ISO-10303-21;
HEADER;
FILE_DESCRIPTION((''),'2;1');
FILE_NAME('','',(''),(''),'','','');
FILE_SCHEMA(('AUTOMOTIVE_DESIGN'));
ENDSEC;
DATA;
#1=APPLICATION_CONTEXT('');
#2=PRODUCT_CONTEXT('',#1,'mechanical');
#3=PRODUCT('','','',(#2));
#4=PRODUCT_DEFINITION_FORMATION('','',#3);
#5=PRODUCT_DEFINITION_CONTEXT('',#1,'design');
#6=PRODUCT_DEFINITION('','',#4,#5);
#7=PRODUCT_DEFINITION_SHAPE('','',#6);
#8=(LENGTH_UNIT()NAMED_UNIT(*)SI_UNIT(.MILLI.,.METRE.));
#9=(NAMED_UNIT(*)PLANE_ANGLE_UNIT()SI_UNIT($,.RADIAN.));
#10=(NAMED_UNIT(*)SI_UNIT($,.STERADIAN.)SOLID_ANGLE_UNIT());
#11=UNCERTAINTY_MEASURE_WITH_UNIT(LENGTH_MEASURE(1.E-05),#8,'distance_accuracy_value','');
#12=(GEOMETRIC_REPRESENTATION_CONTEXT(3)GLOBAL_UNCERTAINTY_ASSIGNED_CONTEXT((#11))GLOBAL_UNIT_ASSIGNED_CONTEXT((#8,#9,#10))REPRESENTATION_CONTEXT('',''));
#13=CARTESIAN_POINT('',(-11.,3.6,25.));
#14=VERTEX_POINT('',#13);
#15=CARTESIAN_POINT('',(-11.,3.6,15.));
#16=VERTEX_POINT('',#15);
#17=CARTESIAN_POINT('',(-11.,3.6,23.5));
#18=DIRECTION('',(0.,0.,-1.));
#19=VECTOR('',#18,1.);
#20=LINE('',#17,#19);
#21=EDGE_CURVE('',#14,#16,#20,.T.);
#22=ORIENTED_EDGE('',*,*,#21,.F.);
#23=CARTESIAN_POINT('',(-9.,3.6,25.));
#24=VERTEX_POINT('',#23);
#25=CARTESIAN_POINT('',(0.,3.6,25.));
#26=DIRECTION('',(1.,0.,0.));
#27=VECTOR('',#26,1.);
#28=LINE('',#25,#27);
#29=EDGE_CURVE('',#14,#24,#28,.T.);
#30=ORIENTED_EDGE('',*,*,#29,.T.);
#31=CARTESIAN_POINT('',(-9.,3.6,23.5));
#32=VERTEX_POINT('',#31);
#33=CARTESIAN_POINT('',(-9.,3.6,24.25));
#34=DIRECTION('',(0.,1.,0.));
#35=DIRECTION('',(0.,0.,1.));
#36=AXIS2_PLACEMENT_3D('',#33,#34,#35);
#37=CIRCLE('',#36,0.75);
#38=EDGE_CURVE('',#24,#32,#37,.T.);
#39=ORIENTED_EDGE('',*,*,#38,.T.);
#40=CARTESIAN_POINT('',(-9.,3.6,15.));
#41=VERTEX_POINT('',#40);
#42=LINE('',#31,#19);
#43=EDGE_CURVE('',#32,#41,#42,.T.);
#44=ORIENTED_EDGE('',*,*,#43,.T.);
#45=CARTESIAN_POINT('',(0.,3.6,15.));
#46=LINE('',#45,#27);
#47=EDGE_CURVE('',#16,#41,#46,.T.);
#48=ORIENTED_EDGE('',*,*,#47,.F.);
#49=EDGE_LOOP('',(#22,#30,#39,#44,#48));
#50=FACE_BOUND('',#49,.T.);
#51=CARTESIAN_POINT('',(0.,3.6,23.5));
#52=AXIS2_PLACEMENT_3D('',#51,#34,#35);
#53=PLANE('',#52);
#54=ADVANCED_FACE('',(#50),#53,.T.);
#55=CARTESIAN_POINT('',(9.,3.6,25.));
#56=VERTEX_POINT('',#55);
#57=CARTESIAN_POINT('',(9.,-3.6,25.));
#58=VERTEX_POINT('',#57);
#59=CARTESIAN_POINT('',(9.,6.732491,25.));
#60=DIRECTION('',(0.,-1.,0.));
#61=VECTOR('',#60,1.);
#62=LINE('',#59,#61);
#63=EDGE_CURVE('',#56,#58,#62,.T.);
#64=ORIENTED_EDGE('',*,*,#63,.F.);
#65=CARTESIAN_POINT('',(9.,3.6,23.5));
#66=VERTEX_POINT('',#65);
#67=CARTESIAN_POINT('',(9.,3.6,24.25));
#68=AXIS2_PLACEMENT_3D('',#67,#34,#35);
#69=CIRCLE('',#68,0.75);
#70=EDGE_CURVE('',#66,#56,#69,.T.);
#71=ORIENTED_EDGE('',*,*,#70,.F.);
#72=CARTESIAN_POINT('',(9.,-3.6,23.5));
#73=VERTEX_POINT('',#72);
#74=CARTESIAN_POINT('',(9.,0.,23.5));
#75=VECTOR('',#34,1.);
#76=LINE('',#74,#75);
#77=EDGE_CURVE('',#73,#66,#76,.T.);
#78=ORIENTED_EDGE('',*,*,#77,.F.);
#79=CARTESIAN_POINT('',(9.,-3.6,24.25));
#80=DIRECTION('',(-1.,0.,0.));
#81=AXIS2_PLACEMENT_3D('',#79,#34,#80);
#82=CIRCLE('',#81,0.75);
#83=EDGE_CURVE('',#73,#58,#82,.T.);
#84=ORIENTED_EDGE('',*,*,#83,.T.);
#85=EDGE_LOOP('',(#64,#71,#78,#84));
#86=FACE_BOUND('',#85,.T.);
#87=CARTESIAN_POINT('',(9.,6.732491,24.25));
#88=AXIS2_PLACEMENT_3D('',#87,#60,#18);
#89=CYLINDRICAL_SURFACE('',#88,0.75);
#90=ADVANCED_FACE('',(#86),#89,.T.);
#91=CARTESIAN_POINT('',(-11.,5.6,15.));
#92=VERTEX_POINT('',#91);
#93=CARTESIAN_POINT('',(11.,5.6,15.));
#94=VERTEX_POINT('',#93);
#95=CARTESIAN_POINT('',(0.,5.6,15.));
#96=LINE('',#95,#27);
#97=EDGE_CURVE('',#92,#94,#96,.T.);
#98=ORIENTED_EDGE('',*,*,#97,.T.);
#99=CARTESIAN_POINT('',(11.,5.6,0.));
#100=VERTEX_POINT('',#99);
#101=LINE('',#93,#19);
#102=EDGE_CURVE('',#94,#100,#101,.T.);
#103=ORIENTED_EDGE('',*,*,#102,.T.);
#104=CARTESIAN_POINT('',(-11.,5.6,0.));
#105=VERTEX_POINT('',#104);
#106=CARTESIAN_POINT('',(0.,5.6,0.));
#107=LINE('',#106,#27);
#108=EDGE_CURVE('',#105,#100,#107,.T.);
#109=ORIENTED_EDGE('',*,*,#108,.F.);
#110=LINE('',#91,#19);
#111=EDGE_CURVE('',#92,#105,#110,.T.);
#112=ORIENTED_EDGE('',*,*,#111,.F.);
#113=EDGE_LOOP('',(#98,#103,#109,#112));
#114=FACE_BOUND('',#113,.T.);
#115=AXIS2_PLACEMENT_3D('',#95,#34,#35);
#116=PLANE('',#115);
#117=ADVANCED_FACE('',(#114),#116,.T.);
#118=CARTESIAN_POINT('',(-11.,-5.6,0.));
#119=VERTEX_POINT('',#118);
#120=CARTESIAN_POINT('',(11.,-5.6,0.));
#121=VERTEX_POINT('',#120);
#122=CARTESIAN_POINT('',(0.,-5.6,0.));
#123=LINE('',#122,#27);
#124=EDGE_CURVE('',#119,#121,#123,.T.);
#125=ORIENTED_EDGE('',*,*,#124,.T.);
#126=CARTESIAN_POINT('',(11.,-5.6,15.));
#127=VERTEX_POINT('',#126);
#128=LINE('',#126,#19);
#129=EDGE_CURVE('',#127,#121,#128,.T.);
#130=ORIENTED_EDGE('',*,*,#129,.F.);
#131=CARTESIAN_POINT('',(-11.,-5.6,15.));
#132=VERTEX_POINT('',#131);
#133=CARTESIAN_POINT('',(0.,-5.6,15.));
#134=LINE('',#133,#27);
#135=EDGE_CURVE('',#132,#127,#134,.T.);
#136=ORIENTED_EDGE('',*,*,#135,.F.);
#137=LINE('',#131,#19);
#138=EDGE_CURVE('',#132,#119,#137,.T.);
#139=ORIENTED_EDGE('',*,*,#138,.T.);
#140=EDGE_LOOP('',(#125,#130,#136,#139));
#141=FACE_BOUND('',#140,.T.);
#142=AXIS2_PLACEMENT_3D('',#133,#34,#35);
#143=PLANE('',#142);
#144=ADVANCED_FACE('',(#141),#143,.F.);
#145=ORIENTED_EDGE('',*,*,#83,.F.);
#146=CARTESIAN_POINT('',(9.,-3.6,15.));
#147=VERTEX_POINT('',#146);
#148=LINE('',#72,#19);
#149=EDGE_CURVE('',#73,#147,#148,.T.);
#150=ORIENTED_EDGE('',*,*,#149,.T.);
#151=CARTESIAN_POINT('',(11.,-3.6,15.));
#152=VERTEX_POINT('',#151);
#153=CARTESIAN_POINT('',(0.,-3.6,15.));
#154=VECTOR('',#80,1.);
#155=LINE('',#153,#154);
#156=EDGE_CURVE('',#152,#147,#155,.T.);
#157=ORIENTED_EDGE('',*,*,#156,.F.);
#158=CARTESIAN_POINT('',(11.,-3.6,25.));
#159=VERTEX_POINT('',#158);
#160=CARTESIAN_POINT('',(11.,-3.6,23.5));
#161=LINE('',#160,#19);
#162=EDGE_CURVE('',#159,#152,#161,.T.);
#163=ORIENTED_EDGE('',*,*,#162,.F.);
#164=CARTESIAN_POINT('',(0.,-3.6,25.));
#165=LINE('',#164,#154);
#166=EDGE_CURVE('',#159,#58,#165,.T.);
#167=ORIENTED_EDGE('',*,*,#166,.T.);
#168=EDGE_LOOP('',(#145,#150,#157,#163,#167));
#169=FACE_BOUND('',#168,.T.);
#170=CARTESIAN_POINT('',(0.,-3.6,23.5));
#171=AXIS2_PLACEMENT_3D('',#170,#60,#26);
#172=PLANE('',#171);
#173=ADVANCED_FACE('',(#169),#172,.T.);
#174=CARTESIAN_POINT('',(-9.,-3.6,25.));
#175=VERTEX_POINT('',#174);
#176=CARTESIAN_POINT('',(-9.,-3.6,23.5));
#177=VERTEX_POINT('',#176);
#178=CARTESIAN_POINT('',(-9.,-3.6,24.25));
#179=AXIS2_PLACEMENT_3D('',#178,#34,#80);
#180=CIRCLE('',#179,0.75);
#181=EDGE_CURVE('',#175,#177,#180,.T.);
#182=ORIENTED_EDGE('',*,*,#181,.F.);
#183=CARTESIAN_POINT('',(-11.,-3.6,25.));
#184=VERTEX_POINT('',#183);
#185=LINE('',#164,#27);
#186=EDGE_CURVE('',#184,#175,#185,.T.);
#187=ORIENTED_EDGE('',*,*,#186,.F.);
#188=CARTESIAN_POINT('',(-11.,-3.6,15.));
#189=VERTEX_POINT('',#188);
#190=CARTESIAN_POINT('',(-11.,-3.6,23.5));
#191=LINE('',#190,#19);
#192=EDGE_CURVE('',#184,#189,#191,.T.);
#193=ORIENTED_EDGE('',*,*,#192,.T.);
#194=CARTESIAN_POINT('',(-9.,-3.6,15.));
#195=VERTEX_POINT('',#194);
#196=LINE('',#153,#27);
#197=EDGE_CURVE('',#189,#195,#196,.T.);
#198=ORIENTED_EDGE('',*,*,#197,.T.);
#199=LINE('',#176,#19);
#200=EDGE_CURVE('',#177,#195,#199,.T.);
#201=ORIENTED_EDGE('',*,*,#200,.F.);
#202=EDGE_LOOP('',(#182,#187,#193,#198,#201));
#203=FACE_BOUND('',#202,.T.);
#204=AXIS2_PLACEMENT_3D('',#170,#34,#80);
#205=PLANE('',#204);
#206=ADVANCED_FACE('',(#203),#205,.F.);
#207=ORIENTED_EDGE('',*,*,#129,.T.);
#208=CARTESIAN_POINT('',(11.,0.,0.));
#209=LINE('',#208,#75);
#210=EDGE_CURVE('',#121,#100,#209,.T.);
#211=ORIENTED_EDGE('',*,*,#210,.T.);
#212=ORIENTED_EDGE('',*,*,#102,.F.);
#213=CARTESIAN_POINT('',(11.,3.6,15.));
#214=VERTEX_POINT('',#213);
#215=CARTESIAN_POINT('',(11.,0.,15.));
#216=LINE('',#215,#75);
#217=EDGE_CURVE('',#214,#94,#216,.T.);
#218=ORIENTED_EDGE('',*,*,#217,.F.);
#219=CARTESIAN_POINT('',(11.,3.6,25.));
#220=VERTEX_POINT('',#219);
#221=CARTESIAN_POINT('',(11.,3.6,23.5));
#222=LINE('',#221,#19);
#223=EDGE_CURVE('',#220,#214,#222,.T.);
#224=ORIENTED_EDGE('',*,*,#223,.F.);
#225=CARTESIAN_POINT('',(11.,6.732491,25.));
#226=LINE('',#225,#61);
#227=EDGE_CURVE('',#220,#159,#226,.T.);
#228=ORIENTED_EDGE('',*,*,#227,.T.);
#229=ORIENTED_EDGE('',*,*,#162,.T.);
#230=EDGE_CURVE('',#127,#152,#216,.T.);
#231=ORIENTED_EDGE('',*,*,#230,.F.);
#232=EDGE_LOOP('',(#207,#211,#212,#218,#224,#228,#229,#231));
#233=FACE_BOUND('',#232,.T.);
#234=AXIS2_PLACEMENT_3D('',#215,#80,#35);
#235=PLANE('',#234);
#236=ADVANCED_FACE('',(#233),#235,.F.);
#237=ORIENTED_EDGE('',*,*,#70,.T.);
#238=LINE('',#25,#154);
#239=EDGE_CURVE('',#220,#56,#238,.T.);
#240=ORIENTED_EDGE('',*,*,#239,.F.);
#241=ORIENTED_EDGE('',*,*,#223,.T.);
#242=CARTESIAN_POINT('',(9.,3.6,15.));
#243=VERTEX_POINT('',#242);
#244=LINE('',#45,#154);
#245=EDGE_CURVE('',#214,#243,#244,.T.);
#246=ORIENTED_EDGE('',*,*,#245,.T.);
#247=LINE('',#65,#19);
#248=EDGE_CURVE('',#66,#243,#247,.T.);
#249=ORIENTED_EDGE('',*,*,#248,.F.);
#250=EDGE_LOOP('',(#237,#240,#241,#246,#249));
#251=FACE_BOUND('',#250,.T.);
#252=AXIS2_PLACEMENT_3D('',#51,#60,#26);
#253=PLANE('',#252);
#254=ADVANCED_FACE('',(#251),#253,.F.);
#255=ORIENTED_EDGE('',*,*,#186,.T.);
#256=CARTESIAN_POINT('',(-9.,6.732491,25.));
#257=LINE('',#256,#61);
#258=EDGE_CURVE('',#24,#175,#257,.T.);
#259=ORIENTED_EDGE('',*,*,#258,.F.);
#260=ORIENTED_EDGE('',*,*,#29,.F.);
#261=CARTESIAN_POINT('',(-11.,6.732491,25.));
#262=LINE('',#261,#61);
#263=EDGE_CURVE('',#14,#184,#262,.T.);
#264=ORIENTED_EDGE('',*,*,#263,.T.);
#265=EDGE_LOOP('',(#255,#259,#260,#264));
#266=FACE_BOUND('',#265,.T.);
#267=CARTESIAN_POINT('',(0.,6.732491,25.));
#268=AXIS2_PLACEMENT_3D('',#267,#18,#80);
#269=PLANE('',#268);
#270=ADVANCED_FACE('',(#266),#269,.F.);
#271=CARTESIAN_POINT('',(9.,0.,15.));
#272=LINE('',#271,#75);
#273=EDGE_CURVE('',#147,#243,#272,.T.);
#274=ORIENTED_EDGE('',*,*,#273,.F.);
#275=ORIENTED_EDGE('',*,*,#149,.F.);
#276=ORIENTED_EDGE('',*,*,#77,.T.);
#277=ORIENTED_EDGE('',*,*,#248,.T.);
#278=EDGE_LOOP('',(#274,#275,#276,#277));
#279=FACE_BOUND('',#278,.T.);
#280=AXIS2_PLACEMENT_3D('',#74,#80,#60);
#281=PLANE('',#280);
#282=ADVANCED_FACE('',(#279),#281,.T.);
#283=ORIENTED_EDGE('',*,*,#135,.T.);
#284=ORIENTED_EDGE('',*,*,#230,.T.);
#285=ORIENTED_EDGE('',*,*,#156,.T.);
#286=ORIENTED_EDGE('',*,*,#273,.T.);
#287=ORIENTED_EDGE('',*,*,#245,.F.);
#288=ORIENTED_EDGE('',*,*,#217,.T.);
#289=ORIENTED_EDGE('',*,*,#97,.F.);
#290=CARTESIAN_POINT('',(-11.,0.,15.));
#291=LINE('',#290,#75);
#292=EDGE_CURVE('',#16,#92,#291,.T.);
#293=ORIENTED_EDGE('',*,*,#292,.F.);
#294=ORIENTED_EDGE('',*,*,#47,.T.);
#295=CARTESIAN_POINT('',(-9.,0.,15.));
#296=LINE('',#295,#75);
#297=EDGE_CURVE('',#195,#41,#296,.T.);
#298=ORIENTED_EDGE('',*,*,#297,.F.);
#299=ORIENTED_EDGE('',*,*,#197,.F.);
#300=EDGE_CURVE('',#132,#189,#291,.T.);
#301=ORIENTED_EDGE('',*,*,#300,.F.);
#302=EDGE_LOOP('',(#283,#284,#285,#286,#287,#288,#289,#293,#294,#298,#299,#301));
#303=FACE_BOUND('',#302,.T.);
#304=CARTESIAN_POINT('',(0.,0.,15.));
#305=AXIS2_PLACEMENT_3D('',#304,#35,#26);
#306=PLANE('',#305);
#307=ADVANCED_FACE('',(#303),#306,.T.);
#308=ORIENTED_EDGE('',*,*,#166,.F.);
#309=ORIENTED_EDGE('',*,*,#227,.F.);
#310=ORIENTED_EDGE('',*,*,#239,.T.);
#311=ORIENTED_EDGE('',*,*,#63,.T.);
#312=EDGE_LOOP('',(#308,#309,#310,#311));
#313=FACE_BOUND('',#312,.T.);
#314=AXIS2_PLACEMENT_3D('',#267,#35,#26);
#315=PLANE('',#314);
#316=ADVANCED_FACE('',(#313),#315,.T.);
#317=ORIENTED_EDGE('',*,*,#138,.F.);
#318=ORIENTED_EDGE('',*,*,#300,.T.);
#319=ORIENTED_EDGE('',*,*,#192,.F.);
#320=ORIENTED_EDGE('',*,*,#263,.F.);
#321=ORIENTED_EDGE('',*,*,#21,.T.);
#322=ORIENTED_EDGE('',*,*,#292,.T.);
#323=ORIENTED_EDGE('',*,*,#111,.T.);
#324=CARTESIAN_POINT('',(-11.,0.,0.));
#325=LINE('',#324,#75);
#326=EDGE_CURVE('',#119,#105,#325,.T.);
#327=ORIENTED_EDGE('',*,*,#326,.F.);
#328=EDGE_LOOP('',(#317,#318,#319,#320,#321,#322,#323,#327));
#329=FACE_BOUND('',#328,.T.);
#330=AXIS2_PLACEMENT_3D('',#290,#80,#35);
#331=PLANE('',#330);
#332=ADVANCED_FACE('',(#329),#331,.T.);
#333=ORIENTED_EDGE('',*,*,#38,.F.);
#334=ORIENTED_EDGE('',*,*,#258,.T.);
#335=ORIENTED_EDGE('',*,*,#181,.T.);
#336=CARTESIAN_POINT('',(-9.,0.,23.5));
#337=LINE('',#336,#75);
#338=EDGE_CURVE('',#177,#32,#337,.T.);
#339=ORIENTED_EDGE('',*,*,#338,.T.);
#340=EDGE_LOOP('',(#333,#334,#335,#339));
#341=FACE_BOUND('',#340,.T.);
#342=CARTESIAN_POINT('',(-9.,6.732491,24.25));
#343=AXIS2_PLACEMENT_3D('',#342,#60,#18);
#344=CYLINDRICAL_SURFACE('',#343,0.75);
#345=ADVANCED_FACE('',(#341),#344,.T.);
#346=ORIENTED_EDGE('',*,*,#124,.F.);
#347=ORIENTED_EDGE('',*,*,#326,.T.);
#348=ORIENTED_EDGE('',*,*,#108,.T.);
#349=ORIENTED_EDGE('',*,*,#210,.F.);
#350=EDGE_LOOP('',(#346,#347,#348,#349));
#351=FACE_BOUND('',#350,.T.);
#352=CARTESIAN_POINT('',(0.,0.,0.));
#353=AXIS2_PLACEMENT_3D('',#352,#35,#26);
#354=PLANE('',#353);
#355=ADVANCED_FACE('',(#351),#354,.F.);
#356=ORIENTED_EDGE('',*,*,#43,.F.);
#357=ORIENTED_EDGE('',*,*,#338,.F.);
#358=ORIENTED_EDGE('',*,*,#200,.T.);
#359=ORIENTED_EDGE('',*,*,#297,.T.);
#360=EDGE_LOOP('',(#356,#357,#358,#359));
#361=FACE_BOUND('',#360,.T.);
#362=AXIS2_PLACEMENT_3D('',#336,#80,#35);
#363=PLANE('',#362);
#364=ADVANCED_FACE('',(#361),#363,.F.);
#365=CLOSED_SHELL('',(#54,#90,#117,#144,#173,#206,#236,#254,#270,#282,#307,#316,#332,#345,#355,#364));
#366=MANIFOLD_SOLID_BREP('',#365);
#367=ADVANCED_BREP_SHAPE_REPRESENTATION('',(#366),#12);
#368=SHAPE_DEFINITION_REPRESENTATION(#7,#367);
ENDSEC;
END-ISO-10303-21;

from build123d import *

# Parameters (mm, degrees)
SKETCH1_W           = 2
SKETCH1_H           = 7.2
SKETCH1_W_2         = 18
BOSS_EXTRUDE3_DEPTH = 15
BOSS_EXTRUDE4_START = 15
SKETCH1_4_W         = 2
SKETCH1_4_H         = 7.2
BOSS_EXTRUDE4_DEPTH = 8.5
BOSS_EXTRUDE5_START = -3.6
SKETCH3_W           = 2
SKETCH3_H           = 1.5
BOSS_EXTRUDE5_DEPTH = 7.2


with BuildPart() as part:
    # Sketch1 → Boss-Extrude3 (new body)
    with BuildSketch(Plane.XY):
        Polygon((9, 3.6), (11, 3.6), (11, 5.6), (-11, 5.6), (-11, 3.6), (-9, 3.6), align=None)
        with Locations((-10, 0)):
            Rectangle(SKETCH1_W, SKETCH1_H)
        Rectangle(SKETCH1_W_2, SKETCH1_H)
        Polygon((11, -3.6), (11, -5.6), (-11, -5.6), (-11, -3.6), (-9, -3.6), (9, -3.6), align=None)
        with Locations((10, 0)):
            Rectangle(SKETCH1_W, SKETCH1_H)
    extrude(amount=BOSS_EXTRUDE3_DEPTH)

    # Sketch1<4> → Boss-Extrude4 (add)
    with BuildSketch(Plane.XY.offset(BOSS_EXTRUDE4_START)):
        with Locations((-10, 0)):
            Rectangle(SKETCH1_4_W, SKETCH1_4_H)
        with Locations((10, 0)):
            Rectangle(SKETCH1_4_W, SKETCH1_4_H)
    extrude(amount=BOSS_EXTRUDE4_DEPTH)

    # Sketch3 → Boss-Extrude5 (add)
    with BuildSketch(Plane(origin=(0, 0, 0), x_dir=(1, 0, 0), z_dir=(0, 1, 0)).offset(BOSS_EXTRUDE5_START)):
        with Locations((-10, -24.25)):
            Rectangle(SKETCH3_W, SKETCH3_H)
        with BuildLine():
            Line((-9, -23.5), (-9, -25))
            ThreePointArc((-9, -25), (-8.25, -24.25), (-9, -23.5))
        make_face()
    boss_extrude5 = extrude(amount=BOSS_EXTRUDE5_DEPTH)

    # Mirror1: Boss-Extrude5 across plane
    add(boss_extrude5.mirror(Plane(origin=(0, 0, 0), x_dir=(0, 0, 1), z_dir=(1, 0, 0))))


solid = part.part
